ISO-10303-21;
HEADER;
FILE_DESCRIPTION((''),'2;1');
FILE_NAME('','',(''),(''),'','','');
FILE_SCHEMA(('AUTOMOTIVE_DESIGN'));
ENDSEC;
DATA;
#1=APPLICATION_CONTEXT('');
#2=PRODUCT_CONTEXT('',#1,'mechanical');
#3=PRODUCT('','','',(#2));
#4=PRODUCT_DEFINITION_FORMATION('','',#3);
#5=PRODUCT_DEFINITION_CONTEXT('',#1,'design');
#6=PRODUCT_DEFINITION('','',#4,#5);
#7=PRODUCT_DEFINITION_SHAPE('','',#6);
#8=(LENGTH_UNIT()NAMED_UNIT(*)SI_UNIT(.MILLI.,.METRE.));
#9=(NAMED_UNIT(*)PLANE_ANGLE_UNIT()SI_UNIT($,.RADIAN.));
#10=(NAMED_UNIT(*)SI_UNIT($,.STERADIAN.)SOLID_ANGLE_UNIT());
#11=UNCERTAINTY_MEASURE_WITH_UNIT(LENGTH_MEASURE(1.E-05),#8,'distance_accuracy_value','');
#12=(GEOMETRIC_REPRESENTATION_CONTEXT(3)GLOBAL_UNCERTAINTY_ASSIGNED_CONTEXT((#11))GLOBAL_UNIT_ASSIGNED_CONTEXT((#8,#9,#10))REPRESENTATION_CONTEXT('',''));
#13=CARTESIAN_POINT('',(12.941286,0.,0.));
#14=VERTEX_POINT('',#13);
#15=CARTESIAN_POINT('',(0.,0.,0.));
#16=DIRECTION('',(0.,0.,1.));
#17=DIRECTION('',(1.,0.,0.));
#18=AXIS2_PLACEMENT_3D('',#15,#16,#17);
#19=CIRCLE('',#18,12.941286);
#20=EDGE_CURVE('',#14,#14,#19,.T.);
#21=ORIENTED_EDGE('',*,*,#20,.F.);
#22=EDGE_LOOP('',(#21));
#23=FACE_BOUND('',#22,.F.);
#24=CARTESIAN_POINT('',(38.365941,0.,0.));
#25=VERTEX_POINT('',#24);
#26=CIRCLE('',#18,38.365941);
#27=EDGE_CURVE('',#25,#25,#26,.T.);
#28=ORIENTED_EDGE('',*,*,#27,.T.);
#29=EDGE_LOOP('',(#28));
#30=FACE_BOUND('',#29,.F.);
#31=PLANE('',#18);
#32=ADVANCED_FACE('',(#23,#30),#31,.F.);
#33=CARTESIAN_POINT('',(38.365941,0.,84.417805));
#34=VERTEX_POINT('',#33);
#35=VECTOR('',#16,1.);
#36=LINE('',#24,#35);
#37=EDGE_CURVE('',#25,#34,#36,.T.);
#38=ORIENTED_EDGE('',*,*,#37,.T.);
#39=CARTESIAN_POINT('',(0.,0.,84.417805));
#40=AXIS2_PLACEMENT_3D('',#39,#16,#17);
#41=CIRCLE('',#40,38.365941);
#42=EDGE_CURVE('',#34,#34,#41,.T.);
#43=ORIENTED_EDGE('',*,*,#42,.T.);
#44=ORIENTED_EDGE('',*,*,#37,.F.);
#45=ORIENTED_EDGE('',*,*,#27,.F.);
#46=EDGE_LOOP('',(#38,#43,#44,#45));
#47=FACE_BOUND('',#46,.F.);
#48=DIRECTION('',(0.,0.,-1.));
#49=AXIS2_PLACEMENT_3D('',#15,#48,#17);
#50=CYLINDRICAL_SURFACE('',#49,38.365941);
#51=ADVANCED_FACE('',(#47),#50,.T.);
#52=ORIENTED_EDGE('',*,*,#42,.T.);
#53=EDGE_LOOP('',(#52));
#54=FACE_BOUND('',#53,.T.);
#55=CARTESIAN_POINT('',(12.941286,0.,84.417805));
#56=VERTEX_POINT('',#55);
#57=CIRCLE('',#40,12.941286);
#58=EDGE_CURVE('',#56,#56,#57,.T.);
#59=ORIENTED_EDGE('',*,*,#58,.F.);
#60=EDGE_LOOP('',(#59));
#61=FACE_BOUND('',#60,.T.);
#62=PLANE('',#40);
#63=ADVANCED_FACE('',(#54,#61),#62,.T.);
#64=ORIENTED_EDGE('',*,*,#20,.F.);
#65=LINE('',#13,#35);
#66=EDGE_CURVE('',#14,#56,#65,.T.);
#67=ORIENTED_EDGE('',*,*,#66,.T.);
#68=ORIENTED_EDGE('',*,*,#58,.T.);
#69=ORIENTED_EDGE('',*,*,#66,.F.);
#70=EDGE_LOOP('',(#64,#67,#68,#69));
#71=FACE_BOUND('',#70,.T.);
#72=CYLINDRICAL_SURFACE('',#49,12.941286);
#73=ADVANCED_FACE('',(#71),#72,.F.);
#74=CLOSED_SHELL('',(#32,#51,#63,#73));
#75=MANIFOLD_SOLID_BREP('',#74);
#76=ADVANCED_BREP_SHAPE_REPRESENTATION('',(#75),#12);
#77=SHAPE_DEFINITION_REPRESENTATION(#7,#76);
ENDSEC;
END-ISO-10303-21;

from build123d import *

# Parameters (mm, degrees)
F1_R     = 38.365941
F1_R_2   = 12.941286
F2_DEPTH = 84.417805


with BuildPart() as f2:
    # F1 (on face) → F2 (new body)
    with BuildSketch(Plane.XY):
        Circle(F1_R)
        Circle(F1_R_2, mode=Mode.SUBTRACT)
    extrude(amount=F2_DEPTH)


solid = f2.part
